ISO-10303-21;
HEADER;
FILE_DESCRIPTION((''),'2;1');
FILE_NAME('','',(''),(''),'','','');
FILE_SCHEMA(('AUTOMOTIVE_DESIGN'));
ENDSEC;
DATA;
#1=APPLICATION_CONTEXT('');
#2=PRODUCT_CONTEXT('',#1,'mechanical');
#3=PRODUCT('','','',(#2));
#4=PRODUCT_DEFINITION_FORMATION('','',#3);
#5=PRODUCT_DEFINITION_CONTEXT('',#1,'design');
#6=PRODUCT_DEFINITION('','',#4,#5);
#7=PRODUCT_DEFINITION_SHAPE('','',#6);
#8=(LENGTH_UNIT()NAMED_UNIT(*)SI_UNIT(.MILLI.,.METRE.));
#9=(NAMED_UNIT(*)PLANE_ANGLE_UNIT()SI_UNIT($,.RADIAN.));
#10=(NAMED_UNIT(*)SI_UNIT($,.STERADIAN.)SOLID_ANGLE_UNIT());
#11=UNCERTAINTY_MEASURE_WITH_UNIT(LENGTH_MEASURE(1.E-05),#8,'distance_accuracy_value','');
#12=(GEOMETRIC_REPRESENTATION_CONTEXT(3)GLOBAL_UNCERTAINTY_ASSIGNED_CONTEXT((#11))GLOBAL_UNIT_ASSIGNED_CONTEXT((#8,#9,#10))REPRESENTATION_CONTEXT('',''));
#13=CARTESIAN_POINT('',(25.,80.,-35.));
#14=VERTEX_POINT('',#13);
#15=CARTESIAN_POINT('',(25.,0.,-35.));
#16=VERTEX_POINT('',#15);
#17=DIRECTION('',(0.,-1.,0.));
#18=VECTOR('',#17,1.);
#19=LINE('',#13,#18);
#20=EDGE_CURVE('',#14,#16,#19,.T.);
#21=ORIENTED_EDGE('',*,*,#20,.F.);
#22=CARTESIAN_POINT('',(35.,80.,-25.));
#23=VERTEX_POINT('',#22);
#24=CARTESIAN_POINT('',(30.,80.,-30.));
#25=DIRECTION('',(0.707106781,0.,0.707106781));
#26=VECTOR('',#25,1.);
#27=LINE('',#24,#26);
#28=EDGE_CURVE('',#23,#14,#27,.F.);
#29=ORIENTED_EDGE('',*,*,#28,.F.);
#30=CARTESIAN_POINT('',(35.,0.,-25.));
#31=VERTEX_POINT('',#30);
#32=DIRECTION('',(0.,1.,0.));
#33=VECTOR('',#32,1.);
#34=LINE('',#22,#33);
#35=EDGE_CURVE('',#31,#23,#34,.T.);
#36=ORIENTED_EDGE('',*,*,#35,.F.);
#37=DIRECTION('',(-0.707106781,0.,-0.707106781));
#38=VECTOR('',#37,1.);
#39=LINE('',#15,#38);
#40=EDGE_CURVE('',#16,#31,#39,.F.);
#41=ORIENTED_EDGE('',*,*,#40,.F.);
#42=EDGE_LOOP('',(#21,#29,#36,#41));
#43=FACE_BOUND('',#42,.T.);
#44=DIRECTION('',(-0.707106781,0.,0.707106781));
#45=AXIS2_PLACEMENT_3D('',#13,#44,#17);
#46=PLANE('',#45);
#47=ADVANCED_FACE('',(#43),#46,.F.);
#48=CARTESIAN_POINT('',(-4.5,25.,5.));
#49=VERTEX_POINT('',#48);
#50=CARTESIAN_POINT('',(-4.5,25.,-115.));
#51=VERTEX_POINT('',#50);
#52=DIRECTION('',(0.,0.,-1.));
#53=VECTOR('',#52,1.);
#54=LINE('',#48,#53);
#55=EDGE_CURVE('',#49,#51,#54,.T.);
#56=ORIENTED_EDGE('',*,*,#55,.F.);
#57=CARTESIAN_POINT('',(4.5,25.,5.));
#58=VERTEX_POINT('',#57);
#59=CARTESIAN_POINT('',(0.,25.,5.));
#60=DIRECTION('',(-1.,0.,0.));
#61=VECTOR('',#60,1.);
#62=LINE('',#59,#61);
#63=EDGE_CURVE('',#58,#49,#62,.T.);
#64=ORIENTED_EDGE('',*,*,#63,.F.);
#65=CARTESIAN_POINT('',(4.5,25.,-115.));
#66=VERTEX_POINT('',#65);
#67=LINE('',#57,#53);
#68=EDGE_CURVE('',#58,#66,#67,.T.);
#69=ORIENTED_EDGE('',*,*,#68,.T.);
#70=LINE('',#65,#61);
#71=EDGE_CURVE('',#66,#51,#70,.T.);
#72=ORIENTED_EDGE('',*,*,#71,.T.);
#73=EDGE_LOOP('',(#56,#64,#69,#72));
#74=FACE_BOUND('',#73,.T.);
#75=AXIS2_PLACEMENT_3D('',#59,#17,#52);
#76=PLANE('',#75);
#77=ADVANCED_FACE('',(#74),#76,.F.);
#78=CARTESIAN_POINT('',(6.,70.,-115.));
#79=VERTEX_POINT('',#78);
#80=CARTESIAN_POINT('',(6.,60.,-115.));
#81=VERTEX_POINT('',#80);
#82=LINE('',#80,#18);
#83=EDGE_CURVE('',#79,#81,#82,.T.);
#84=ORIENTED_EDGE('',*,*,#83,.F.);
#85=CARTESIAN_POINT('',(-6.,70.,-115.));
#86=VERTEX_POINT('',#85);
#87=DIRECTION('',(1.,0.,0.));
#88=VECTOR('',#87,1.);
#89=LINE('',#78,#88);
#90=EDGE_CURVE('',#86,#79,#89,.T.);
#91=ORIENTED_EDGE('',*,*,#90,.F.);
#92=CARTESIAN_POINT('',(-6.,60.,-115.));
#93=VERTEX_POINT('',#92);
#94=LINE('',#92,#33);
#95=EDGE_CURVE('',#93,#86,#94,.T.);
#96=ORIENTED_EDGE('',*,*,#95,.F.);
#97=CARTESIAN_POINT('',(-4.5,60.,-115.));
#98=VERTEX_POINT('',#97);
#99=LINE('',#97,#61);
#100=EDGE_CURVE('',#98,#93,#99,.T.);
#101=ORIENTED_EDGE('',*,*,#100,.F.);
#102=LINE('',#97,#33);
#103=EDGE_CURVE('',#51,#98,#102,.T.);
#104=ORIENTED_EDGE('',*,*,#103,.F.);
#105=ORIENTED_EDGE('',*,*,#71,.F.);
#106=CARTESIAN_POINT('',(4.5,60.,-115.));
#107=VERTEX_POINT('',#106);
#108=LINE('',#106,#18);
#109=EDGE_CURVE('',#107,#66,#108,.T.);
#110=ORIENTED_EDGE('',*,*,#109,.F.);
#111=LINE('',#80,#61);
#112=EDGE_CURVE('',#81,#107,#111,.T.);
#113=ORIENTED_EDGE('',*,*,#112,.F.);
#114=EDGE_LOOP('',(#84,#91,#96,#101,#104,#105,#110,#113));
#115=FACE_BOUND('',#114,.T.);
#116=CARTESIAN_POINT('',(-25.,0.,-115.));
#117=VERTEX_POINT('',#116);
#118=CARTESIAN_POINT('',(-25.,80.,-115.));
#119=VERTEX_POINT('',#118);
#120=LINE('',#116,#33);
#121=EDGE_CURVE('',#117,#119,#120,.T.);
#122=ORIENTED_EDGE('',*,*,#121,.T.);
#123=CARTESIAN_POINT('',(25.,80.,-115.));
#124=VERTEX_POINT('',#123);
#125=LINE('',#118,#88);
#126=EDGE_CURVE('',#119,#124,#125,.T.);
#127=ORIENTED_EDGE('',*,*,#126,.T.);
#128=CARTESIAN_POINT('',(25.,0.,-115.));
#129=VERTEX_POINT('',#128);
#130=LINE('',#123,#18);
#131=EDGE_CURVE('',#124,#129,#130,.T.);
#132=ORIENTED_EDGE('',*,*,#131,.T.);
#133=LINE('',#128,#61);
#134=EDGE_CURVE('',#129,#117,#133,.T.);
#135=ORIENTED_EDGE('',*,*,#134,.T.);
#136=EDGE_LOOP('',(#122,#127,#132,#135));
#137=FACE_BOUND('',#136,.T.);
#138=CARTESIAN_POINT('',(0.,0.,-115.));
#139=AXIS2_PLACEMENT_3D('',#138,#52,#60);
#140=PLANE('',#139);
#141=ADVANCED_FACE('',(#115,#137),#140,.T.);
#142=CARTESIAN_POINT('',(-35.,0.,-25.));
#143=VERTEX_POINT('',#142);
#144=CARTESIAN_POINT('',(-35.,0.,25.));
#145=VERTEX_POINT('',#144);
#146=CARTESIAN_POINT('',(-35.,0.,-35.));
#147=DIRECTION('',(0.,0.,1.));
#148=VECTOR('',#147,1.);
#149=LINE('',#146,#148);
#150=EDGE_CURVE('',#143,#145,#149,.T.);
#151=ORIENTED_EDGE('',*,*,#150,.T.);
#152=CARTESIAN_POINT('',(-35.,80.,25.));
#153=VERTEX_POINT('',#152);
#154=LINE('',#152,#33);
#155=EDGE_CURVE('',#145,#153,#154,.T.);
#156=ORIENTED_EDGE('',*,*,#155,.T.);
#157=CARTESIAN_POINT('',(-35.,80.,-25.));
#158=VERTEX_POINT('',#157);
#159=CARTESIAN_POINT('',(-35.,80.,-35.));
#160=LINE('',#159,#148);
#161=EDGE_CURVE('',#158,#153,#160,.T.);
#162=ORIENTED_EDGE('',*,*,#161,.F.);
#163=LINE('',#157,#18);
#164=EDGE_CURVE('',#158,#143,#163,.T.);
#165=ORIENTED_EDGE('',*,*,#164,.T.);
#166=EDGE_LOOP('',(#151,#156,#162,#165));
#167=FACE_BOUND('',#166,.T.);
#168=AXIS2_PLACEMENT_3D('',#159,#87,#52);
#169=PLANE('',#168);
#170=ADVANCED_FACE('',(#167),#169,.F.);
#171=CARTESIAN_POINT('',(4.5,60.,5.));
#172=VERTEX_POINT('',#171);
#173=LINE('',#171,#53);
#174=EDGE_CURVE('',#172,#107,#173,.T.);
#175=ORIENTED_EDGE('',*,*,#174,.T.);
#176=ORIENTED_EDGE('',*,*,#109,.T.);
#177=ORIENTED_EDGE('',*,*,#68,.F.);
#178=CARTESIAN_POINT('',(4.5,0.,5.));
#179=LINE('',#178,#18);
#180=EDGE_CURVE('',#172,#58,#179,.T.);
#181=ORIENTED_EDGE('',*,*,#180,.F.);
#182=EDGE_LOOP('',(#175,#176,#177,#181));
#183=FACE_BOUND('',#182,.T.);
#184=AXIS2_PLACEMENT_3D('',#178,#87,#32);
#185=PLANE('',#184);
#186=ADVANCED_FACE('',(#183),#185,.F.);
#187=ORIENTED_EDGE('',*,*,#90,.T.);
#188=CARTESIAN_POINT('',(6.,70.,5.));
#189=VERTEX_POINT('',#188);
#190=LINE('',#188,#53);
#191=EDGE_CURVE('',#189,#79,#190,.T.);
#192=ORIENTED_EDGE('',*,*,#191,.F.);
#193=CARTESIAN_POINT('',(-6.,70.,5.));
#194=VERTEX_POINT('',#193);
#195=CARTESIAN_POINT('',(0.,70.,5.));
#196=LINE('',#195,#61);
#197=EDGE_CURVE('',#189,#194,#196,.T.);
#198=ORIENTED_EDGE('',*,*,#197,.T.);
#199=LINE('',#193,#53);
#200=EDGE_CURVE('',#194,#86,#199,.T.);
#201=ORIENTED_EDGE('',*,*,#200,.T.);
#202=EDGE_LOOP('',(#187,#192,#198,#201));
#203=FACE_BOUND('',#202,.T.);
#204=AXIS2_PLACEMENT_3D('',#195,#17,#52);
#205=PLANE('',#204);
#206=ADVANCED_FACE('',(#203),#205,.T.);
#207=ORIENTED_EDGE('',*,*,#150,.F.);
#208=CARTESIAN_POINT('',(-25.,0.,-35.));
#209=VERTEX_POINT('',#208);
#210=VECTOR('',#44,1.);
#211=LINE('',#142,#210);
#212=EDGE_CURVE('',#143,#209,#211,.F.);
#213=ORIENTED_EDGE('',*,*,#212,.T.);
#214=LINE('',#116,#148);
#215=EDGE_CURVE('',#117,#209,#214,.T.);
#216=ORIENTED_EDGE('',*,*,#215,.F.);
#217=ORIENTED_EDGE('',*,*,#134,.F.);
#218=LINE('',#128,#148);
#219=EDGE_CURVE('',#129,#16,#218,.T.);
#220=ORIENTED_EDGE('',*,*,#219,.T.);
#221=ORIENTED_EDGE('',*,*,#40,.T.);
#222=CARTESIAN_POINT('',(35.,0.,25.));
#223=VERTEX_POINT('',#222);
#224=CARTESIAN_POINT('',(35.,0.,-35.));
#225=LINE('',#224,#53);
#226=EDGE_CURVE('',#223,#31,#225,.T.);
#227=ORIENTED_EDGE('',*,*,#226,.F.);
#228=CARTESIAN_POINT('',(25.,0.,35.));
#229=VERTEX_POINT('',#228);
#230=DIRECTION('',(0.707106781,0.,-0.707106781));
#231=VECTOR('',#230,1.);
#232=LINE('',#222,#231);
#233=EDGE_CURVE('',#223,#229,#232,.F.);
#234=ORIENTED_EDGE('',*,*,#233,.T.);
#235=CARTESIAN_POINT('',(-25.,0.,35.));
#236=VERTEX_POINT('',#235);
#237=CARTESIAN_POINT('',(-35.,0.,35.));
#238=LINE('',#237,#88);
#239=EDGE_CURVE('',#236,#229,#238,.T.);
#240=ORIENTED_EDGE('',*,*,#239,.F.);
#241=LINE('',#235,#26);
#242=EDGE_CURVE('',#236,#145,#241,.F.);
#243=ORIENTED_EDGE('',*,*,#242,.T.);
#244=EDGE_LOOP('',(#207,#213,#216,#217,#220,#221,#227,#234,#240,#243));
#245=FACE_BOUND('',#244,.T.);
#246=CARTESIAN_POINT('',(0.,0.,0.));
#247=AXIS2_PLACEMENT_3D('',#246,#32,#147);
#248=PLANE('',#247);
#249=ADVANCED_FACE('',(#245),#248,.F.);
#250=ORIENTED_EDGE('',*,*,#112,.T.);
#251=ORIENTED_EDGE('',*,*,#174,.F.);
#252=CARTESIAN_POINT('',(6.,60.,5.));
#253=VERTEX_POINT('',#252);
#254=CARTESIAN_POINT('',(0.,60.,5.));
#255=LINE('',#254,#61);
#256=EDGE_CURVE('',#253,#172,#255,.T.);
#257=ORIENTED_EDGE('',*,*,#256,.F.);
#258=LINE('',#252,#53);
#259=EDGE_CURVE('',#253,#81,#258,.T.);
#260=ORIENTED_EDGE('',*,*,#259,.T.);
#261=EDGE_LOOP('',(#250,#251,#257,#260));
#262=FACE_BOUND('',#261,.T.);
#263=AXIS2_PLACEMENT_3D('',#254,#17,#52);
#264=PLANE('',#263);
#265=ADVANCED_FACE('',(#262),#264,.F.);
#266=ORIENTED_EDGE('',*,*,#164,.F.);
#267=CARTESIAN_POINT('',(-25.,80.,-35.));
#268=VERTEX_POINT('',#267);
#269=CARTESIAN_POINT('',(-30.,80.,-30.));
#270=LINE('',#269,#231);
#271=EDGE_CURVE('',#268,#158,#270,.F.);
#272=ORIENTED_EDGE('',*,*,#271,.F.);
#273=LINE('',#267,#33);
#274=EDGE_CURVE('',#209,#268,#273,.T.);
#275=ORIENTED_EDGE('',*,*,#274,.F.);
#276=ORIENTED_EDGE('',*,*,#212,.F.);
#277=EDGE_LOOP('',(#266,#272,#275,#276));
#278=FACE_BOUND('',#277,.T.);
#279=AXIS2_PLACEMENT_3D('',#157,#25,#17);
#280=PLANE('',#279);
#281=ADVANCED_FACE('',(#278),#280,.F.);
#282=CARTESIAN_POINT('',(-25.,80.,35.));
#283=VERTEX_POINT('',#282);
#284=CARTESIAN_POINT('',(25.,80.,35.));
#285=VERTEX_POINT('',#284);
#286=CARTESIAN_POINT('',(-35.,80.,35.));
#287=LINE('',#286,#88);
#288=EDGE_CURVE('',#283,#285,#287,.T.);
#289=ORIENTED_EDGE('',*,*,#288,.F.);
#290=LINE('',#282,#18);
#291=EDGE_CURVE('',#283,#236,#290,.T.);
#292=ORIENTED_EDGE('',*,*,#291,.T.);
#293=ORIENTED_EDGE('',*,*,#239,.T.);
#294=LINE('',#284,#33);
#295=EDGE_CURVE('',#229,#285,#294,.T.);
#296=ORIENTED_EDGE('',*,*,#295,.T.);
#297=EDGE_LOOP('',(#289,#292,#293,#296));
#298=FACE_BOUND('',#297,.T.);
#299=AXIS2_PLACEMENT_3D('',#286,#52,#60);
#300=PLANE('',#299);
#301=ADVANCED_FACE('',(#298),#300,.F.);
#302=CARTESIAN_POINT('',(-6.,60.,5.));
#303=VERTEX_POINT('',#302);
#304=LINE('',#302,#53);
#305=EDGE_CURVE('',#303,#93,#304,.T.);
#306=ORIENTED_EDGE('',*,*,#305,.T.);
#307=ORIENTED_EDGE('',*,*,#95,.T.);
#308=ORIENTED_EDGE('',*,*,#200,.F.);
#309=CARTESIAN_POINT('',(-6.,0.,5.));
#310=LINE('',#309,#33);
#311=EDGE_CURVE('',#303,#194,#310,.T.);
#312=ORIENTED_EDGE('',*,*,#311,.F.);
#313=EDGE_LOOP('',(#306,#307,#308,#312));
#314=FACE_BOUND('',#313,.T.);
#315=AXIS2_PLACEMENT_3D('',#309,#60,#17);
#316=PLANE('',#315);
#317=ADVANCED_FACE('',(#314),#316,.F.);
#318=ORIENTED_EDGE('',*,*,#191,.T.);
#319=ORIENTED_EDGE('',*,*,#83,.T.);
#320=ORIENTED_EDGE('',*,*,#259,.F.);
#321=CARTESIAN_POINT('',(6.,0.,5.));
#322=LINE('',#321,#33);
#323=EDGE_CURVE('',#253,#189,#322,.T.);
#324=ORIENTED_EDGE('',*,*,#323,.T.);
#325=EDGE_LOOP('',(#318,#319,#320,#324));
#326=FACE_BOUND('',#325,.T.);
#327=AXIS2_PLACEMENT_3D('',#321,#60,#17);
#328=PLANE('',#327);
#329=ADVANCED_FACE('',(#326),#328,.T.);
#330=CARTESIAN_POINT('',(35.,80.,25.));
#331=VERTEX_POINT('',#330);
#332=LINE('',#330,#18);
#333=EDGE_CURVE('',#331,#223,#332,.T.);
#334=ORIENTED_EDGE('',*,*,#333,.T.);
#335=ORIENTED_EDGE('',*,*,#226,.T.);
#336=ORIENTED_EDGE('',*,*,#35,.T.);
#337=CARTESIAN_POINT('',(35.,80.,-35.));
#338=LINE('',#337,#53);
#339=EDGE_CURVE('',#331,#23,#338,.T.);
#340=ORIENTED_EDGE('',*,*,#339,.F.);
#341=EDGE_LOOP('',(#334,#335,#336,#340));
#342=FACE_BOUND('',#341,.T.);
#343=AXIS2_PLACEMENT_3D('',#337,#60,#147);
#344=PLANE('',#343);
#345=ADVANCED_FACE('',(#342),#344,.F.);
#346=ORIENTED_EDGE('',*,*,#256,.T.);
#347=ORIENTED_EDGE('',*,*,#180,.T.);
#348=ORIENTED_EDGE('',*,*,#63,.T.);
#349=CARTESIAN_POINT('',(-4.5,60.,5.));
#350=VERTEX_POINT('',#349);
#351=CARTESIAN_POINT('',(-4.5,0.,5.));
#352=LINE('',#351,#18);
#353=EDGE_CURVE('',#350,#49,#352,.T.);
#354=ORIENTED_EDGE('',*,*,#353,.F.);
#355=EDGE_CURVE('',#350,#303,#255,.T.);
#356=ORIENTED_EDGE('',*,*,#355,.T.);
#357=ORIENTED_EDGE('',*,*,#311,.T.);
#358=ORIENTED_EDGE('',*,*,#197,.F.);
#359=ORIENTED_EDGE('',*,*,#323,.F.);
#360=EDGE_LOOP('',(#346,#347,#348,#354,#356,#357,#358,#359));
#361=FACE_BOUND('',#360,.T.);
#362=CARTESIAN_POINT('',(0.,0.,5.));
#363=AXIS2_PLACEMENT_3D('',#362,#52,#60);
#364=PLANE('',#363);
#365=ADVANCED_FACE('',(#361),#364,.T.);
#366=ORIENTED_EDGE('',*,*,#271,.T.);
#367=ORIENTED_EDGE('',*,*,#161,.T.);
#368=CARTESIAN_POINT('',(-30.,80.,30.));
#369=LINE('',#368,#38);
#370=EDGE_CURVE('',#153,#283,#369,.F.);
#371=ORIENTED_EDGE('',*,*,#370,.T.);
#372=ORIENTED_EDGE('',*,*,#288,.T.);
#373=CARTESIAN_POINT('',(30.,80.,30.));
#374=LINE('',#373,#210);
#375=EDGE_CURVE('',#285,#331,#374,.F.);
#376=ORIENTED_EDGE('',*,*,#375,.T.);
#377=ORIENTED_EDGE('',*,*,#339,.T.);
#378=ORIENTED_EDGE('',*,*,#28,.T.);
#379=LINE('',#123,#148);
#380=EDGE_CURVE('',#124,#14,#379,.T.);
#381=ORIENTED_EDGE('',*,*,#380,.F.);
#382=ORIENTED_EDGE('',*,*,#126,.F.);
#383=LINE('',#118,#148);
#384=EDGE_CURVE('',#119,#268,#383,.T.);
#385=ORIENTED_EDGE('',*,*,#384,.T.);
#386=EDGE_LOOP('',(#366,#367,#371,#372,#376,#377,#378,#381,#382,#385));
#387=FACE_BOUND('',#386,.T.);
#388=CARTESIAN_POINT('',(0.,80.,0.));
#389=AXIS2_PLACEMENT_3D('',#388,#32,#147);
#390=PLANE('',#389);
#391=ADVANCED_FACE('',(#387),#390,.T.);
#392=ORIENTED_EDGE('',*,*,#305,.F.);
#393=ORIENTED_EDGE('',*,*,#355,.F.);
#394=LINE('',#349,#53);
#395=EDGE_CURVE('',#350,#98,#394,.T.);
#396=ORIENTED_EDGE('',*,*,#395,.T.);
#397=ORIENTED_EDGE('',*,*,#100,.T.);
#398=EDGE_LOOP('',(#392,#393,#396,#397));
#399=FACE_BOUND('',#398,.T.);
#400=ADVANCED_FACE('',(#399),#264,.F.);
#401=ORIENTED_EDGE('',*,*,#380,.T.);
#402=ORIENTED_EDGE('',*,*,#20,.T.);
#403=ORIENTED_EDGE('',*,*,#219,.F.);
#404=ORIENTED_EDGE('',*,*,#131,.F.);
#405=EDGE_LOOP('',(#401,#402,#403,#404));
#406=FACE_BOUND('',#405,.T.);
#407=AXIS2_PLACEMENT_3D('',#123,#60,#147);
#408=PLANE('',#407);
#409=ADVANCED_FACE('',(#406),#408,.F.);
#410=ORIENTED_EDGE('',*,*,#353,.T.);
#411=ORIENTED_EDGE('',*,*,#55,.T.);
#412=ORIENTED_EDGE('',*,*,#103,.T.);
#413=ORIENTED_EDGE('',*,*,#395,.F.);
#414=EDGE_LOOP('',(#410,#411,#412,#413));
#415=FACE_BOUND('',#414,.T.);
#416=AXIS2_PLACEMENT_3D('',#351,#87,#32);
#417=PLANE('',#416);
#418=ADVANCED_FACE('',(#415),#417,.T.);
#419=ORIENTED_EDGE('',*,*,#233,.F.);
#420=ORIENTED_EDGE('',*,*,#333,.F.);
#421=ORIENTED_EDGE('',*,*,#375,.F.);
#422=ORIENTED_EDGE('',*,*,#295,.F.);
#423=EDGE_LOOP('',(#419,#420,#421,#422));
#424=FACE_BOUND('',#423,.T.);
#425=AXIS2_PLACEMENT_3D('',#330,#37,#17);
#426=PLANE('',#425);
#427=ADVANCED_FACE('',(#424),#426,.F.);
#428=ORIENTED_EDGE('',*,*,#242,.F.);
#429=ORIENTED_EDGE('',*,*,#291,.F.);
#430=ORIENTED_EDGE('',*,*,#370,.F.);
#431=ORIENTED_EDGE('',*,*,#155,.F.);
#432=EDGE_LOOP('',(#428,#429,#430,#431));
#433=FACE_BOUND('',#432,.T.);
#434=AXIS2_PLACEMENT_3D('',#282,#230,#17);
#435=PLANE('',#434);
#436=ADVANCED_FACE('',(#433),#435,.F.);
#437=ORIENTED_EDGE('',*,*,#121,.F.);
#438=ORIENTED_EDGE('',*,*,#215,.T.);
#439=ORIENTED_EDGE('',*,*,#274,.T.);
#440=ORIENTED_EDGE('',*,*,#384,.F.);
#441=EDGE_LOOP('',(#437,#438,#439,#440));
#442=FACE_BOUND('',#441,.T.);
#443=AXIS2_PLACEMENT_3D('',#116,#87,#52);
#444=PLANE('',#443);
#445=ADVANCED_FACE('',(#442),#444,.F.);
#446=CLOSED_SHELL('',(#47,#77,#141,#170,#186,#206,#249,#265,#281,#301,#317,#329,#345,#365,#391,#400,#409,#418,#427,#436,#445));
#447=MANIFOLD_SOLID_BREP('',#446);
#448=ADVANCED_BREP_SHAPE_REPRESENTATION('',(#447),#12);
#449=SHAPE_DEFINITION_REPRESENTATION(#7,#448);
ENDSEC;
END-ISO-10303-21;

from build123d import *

# Parameters (mm, degrees)
SKETCH1_W           = 70
SKETCH1_H           = 70
BOSS_EXTRUDE1_DEPTH = 80
CHAMFER1_SIZE       = 10
SKETCH2_W           = 9
SKETCH2_H           = 35
CUT_EXTRUDE1_DEPTH  = 40
SKETCH3_W           = 50
SKETCH3_H           = 80
BOSS_EXTRUDE2_DEPTH = 80


with BuildPart() as part:
    # Sketch1 → Boss-Extrude1 (new body)
    with BuildSketch(Plane(origin=(0, 0, 0), x_dir=(1, 0, 0), z_dir=(0, 1, 0))):
        Rectangle(SKETCH1_W, SKETCH1_H)
    extrude(amount=BOSS_EXTRUDE1_DEPTH)

    # Chamfer1
    chamfer1_edges = [part.edges().sort_by_distance(p)[0] for p in [
        (35, 40, 35),
        (-35, 40, 35),
        (-35, 40, -35),
        (35, 40, -35),
    ]]
    chamfer(chamfer1_edges, length=CHAMFER1_SIZE)

    # Sketch2 → Cut-Extrude1 (cut)
    with BuildSketch(Plane(origin=(0, 0, -35), x_dir=(-1, 0, 0), z_dir=(0, 0, -1))):
        Polygon((-6, 60), (-4.5, 60), (4.5, 60), (6, 60), (6, 70), (-6, 70), align=None)
        with Locations((0, 42.5)):
            Rectangle(SKETCH2_W, SKETCH2_H)
    extrude(amount=-CUT_EXTRUDE1_DEPTH, mode=Mode.SUBTRACT)

    # Sketch3 → Boss-Extrude2 (add)
    with BuildSketch(Plane(origin=(0, 0, -35), x_dir=(-1, 0, 0), z_dir=(0, 0, -1))):
        with Locations((0, 40)):
            Rectangle(SKETCH3_W, SKETCH3_H)
        Polygon((-6, 60), (-6, 70), (6, 70), (6, 60), (4.5, 60), (4.5, 25), (-4.5, 25), (-4.5, 60), align=None, mode=Mode.SUBTRACT)
    extrude(amount=BOSS_EXTRUDE2_DEPTH)


solid = part.part
